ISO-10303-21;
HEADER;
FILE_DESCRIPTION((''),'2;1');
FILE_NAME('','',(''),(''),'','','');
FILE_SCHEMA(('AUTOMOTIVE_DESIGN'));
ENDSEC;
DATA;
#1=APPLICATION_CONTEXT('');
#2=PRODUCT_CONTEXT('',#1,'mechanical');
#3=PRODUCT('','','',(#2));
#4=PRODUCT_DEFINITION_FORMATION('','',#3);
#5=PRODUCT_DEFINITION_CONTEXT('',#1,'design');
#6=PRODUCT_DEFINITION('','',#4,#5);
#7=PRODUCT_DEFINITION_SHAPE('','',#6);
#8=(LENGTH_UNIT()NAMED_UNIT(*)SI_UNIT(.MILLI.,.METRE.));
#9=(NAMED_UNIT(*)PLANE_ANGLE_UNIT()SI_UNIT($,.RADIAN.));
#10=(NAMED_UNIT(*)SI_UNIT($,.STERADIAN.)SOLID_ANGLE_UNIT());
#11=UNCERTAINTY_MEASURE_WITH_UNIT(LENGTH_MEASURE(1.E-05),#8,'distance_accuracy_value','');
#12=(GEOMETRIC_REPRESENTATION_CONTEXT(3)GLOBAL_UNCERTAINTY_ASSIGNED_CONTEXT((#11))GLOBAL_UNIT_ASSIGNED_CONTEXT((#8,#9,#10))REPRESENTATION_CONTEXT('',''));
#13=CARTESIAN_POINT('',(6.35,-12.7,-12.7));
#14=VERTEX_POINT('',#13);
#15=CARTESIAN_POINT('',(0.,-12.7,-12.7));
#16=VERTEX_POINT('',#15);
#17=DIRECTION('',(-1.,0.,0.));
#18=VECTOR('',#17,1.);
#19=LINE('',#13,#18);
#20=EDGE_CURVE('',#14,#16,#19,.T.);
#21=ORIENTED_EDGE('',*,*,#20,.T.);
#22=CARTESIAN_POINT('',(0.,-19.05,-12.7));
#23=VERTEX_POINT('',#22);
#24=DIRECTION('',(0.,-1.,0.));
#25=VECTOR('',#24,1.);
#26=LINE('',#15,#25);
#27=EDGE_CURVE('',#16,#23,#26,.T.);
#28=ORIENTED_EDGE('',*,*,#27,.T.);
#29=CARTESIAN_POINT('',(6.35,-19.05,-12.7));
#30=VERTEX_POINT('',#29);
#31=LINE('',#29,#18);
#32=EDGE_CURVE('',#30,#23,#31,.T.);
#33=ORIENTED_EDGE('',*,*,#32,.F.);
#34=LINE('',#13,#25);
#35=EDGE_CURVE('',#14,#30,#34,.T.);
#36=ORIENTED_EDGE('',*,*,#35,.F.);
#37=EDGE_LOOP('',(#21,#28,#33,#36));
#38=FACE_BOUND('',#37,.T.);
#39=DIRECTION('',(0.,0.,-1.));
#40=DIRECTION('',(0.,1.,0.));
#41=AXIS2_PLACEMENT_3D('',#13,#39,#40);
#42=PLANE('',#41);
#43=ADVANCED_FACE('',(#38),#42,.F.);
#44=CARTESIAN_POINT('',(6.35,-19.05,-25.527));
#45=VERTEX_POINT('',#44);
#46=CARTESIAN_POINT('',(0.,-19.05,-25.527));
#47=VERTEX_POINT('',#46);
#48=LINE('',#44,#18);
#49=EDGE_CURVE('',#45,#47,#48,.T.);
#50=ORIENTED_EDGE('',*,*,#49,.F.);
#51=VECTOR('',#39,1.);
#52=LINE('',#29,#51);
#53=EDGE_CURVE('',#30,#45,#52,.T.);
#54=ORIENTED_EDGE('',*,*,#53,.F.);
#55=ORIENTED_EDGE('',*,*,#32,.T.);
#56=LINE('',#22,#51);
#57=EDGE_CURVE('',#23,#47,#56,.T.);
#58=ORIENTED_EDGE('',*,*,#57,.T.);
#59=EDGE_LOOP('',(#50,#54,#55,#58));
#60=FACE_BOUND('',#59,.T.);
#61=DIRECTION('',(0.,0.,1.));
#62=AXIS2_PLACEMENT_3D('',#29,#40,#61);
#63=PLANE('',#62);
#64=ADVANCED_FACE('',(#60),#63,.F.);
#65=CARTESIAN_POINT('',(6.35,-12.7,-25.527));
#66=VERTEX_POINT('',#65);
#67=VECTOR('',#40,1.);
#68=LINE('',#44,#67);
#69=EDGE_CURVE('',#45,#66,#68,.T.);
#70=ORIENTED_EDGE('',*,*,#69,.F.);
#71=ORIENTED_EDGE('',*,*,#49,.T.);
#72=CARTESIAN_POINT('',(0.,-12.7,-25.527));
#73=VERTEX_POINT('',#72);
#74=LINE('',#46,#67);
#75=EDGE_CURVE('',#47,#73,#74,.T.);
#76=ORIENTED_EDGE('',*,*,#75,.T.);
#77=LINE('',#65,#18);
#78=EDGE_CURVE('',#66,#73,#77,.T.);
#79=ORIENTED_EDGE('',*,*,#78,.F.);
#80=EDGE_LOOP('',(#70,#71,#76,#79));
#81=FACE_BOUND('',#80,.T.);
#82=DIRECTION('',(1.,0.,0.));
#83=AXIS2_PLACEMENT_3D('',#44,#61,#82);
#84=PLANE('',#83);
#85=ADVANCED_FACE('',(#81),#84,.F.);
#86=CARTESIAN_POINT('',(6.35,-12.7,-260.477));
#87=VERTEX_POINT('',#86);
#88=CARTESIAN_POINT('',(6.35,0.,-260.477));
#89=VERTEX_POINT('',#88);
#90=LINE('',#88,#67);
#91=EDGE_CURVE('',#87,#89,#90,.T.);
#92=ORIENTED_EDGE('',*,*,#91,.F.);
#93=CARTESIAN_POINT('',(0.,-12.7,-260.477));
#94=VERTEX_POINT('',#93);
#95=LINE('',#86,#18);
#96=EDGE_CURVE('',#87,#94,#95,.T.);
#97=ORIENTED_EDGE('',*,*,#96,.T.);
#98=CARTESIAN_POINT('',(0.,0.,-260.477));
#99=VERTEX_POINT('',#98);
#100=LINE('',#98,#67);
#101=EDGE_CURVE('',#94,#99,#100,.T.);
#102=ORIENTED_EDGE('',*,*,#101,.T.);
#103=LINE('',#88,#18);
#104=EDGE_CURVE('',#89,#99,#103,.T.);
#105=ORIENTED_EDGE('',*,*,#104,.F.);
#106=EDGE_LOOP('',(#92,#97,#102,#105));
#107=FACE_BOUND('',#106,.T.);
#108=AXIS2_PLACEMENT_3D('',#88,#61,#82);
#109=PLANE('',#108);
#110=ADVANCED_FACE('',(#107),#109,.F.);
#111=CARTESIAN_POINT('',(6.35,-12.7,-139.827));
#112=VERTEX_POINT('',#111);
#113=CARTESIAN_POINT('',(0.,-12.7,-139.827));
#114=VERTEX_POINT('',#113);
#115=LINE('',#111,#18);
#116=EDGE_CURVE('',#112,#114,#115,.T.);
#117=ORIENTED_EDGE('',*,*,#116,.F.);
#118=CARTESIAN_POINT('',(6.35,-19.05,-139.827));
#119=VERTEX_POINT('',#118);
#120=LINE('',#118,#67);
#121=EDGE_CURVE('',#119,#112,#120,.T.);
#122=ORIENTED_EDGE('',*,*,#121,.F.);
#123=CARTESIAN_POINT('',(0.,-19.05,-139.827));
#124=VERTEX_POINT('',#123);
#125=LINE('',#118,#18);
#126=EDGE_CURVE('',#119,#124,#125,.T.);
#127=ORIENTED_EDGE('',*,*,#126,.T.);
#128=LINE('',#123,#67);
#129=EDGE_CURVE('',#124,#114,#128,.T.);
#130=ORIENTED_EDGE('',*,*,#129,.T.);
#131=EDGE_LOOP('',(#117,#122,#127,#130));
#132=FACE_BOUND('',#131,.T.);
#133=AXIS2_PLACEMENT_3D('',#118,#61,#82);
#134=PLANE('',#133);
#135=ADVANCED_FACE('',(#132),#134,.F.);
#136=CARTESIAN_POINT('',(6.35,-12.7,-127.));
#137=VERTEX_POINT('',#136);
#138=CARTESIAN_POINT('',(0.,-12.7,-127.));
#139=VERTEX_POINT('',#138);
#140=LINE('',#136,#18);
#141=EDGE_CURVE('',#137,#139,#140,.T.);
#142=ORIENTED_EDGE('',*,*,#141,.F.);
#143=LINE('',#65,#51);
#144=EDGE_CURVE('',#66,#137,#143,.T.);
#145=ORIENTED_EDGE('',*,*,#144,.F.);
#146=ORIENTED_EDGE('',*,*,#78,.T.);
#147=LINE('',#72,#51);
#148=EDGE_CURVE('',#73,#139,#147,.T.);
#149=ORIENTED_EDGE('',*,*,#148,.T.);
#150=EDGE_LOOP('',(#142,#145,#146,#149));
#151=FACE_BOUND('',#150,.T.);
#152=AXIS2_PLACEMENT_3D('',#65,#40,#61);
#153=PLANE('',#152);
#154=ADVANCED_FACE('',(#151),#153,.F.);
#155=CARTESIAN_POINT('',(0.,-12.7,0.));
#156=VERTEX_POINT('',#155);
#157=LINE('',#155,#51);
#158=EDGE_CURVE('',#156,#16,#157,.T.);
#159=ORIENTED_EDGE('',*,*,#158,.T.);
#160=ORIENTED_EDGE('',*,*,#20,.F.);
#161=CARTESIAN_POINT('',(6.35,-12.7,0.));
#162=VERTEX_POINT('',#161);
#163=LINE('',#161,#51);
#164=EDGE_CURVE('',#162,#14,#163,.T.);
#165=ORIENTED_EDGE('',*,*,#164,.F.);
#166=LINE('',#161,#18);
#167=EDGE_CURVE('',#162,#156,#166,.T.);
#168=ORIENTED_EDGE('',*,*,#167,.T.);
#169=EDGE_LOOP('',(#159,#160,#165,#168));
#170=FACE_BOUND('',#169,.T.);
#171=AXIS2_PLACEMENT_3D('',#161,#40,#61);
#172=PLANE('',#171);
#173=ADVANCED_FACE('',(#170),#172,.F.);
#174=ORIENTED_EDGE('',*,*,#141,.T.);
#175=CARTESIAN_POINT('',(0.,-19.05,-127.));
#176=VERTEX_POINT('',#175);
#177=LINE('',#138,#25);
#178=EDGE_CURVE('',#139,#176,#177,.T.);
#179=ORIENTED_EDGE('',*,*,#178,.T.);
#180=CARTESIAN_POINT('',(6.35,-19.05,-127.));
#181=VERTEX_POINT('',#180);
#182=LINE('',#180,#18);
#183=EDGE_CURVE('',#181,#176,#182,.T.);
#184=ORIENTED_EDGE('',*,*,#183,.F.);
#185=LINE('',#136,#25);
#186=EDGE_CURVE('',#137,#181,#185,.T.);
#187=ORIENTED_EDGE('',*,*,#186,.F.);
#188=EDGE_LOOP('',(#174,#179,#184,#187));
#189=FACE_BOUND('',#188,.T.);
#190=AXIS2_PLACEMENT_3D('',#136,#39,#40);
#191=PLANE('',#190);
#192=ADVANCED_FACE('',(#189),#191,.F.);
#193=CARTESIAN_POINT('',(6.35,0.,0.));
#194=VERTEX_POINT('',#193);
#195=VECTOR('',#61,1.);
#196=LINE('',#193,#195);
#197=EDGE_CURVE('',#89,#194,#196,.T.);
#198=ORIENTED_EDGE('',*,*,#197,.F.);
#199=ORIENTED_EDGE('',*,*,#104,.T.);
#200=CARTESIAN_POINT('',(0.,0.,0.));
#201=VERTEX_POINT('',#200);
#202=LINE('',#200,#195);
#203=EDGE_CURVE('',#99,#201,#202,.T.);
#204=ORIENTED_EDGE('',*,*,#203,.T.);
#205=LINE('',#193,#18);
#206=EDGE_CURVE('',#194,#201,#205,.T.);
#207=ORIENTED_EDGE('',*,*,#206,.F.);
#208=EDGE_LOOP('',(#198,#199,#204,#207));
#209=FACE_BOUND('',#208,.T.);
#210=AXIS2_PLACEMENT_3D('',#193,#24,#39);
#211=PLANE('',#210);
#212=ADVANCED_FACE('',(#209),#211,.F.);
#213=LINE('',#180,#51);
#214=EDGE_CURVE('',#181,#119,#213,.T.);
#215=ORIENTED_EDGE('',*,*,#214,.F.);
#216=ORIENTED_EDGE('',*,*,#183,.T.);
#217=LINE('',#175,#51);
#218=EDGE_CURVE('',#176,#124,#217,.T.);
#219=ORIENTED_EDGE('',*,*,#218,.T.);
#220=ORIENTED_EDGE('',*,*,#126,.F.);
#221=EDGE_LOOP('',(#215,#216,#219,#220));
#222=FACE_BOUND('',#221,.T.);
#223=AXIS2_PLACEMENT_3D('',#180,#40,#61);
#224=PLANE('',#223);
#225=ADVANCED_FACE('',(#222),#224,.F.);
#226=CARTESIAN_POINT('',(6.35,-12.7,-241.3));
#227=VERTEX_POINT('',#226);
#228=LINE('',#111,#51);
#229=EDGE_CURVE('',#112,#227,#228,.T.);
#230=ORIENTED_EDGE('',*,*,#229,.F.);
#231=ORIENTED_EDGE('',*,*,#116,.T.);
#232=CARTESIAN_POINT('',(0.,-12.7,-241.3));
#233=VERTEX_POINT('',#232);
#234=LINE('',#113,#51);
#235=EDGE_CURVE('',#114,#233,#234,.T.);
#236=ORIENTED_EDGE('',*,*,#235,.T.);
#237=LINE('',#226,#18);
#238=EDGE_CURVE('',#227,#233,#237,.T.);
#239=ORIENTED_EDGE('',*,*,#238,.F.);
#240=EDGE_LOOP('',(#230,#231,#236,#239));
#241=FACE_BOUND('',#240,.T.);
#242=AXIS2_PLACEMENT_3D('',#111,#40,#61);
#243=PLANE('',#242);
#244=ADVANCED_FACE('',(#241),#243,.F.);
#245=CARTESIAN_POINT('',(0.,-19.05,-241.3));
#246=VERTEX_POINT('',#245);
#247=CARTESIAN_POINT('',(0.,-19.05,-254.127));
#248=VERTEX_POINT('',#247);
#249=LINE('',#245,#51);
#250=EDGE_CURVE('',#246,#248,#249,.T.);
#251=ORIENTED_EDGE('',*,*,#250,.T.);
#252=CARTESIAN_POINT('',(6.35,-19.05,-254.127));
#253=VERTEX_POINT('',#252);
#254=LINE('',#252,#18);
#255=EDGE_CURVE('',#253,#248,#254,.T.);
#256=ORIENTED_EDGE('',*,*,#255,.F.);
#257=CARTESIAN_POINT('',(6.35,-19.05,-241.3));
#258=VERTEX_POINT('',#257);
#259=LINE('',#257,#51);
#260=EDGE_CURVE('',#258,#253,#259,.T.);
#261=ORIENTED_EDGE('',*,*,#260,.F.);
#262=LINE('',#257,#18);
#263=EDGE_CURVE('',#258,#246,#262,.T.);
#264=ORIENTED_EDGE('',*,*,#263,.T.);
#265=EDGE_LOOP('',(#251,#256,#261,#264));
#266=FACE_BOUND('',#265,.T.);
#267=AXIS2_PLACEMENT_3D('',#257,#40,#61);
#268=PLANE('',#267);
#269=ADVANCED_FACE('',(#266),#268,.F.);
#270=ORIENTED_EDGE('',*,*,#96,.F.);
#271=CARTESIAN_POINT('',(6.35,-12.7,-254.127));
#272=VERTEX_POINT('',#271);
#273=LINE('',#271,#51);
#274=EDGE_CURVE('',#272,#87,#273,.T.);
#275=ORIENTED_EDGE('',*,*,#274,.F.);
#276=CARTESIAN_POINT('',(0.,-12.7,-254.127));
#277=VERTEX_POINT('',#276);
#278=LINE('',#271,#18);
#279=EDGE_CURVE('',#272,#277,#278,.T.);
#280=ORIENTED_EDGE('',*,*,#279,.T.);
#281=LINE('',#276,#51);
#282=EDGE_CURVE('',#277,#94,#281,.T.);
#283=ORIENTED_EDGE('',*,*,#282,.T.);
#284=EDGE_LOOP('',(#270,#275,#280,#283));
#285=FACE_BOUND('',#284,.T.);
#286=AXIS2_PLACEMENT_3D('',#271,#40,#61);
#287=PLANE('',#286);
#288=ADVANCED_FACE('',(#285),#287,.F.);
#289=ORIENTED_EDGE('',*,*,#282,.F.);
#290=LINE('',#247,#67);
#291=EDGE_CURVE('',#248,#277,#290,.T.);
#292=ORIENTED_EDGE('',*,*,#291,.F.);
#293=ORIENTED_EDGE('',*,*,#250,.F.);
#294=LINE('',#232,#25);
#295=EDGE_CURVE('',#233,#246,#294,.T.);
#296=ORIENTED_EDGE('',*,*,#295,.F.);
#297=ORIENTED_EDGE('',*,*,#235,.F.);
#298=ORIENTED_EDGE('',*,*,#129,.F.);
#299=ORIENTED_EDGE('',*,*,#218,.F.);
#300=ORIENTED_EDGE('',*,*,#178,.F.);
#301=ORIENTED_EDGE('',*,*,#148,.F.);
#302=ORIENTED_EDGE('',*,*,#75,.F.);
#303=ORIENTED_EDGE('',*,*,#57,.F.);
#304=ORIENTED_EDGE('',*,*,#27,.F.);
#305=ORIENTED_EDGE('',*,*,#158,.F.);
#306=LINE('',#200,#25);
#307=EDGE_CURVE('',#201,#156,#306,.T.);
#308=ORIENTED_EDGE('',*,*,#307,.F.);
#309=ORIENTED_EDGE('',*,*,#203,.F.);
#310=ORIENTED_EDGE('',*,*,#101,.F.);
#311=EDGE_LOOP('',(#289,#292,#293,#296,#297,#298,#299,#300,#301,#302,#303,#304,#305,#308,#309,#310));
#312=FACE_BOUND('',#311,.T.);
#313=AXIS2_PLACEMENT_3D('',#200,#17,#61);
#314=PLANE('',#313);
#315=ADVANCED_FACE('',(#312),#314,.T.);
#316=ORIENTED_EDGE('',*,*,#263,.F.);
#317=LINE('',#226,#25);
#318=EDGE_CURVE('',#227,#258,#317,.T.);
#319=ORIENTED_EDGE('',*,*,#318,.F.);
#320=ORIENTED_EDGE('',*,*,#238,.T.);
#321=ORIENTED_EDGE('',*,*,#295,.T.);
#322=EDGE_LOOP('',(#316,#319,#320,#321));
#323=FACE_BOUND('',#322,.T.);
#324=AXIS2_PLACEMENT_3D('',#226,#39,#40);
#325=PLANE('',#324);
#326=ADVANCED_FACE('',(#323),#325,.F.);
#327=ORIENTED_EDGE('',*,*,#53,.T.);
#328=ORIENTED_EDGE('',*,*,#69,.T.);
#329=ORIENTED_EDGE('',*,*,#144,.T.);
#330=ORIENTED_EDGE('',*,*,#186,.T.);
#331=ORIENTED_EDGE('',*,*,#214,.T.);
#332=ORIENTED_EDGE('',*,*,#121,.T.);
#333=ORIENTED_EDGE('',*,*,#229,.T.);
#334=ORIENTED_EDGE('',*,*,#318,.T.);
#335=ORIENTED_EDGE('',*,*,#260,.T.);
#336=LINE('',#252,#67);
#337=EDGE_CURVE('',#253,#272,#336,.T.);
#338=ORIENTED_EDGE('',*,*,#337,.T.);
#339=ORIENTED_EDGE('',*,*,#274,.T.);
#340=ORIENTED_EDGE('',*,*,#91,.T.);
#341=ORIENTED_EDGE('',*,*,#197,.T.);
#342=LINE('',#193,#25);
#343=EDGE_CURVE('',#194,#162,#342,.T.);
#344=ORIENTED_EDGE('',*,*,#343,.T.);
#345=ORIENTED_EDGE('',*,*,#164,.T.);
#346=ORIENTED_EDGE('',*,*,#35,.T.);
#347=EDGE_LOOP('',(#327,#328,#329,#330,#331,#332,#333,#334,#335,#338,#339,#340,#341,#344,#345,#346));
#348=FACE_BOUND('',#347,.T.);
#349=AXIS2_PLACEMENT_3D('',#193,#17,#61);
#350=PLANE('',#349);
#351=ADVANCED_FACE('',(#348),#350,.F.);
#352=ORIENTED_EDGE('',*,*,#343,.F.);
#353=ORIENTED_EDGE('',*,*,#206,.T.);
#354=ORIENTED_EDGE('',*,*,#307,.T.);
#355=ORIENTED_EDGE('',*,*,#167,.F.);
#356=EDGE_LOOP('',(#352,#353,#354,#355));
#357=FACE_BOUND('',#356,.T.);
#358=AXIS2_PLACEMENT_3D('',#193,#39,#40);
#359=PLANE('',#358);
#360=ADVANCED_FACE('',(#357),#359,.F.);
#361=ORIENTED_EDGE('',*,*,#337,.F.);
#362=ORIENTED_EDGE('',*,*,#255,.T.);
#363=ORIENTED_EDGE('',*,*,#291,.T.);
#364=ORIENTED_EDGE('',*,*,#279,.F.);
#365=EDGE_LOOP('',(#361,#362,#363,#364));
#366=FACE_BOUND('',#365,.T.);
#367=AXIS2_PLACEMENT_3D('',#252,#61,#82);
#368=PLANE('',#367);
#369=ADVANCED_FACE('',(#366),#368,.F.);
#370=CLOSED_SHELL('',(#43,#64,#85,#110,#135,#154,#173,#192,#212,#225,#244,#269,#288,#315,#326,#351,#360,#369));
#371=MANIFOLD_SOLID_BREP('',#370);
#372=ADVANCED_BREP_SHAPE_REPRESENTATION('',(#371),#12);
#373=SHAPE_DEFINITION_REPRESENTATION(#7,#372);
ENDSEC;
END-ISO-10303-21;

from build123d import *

# Parameters (mm, degrees)
BOSS_EXTRUDE1_DEPTH = 6.35


with BuildPart() as part:
    # Sketch1 → Boss-Extrude1 (new body)
    with BuildSketch(Plane(origin=(0, 0, 0), x_dir=(0, 0, -1), z_dir=(1, 0, 0))):
        Polygon((0, 0), (0, -12.7), (12.7, -12.7), (12.7, -19.05), (25.527, -19.05), (25.527, -12.7), (127, -12.7), (127, -19.05), (139.827, -19.05), (139.827, -12.7), (241.3, -12.7), (241.3, -19.05), (254.127, -19.05), (254.127, -12.7), (260.477, -12.7), (260.477, 0), align=None)
    extrude(amount=BOSS_EXTRUDE1_DEPTH)


solid = part.part
